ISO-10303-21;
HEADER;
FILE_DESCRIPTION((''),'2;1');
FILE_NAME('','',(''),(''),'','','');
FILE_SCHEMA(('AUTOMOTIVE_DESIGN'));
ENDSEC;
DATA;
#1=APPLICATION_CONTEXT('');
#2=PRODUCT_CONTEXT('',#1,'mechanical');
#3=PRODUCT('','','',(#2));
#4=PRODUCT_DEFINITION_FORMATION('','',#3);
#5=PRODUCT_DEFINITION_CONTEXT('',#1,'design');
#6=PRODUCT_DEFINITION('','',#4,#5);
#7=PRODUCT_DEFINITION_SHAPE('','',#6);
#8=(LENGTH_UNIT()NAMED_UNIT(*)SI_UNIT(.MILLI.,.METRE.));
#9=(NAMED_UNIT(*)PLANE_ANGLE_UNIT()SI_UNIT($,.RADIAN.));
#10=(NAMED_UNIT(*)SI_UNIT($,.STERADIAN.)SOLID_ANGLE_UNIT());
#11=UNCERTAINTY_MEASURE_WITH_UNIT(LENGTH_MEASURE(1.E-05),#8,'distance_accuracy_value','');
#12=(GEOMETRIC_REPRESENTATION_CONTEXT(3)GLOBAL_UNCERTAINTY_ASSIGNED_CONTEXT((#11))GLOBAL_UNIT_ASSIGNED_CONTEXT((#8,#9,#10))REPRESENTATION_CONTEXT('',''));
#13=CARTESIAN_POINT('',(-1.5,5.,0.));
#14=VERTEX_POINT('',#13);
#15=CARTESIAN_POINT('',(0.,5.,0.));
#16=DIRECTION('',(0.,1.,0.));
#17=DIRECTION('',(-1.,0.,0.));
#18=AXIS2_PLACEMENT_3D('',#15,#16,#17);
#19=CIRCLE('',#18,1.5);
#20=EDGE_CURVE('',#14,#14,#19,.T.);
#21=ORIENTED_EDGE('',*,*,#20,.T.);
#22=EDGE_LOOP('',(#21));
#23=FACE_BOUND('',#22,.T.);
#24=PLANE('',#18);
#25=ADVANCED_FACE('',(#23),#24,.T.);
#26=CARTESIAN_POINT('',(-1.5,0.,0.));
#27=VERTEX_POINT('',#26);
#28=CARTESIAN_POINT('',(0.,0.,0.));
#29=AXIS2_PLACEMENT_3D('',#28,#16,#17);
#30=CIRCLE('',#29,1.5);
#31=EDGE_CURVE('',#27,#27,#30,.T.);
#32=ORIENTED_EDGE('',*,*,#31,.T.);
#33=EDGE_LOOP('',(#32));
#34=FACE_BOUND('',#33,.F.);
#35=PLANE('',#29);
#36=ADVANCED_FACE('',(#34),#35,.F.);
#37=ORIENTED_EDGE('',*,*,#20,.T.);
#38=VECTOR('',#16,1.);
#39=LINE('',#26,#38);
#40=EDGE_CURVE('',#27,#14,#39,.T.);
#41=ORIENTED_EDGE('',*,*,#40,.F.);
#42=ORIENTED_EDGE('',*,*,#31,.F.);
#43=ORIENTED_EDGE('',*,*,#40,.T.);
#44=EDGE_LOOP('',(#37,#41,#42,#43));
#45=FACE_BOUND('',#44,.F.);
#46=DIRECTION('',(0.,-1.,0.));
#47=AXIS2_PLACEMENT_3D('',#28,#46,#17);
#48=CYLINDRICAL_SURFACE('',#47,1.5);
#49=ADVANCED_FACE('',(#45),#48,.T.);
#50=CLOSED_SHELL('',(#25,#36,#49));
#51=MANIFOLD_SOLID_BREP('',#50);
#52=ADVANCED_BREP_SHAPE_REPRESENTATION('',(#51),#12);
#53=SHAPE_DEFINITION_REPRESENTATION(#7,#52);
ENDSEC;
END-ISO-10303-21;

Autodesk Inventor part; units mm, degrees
ref_plane "YZ Plane" through (0, 0, 0) normal (1, 0, 0) x (0, 1, 0)
ref_plane "XZ Plane" through (0, 0, 0) normal (0, 1, 0) x (-1, 0, 0)
ref_plane "XY Plane" through (0, 0, 0) normal (0, 0, 1) x (1, 0, 0)
sketch "Sketch1" plane through (0, 0, 0) normal (0, 1, 0) x (-1, 0, 0)
  circle A0 centre (0, 0) radius 1.5
  dimension "d0" = 3
extrude "Extrusion1" add sketch "Sketch1" along normal blind 5
properties part number "BlackWire" material "Copper"
